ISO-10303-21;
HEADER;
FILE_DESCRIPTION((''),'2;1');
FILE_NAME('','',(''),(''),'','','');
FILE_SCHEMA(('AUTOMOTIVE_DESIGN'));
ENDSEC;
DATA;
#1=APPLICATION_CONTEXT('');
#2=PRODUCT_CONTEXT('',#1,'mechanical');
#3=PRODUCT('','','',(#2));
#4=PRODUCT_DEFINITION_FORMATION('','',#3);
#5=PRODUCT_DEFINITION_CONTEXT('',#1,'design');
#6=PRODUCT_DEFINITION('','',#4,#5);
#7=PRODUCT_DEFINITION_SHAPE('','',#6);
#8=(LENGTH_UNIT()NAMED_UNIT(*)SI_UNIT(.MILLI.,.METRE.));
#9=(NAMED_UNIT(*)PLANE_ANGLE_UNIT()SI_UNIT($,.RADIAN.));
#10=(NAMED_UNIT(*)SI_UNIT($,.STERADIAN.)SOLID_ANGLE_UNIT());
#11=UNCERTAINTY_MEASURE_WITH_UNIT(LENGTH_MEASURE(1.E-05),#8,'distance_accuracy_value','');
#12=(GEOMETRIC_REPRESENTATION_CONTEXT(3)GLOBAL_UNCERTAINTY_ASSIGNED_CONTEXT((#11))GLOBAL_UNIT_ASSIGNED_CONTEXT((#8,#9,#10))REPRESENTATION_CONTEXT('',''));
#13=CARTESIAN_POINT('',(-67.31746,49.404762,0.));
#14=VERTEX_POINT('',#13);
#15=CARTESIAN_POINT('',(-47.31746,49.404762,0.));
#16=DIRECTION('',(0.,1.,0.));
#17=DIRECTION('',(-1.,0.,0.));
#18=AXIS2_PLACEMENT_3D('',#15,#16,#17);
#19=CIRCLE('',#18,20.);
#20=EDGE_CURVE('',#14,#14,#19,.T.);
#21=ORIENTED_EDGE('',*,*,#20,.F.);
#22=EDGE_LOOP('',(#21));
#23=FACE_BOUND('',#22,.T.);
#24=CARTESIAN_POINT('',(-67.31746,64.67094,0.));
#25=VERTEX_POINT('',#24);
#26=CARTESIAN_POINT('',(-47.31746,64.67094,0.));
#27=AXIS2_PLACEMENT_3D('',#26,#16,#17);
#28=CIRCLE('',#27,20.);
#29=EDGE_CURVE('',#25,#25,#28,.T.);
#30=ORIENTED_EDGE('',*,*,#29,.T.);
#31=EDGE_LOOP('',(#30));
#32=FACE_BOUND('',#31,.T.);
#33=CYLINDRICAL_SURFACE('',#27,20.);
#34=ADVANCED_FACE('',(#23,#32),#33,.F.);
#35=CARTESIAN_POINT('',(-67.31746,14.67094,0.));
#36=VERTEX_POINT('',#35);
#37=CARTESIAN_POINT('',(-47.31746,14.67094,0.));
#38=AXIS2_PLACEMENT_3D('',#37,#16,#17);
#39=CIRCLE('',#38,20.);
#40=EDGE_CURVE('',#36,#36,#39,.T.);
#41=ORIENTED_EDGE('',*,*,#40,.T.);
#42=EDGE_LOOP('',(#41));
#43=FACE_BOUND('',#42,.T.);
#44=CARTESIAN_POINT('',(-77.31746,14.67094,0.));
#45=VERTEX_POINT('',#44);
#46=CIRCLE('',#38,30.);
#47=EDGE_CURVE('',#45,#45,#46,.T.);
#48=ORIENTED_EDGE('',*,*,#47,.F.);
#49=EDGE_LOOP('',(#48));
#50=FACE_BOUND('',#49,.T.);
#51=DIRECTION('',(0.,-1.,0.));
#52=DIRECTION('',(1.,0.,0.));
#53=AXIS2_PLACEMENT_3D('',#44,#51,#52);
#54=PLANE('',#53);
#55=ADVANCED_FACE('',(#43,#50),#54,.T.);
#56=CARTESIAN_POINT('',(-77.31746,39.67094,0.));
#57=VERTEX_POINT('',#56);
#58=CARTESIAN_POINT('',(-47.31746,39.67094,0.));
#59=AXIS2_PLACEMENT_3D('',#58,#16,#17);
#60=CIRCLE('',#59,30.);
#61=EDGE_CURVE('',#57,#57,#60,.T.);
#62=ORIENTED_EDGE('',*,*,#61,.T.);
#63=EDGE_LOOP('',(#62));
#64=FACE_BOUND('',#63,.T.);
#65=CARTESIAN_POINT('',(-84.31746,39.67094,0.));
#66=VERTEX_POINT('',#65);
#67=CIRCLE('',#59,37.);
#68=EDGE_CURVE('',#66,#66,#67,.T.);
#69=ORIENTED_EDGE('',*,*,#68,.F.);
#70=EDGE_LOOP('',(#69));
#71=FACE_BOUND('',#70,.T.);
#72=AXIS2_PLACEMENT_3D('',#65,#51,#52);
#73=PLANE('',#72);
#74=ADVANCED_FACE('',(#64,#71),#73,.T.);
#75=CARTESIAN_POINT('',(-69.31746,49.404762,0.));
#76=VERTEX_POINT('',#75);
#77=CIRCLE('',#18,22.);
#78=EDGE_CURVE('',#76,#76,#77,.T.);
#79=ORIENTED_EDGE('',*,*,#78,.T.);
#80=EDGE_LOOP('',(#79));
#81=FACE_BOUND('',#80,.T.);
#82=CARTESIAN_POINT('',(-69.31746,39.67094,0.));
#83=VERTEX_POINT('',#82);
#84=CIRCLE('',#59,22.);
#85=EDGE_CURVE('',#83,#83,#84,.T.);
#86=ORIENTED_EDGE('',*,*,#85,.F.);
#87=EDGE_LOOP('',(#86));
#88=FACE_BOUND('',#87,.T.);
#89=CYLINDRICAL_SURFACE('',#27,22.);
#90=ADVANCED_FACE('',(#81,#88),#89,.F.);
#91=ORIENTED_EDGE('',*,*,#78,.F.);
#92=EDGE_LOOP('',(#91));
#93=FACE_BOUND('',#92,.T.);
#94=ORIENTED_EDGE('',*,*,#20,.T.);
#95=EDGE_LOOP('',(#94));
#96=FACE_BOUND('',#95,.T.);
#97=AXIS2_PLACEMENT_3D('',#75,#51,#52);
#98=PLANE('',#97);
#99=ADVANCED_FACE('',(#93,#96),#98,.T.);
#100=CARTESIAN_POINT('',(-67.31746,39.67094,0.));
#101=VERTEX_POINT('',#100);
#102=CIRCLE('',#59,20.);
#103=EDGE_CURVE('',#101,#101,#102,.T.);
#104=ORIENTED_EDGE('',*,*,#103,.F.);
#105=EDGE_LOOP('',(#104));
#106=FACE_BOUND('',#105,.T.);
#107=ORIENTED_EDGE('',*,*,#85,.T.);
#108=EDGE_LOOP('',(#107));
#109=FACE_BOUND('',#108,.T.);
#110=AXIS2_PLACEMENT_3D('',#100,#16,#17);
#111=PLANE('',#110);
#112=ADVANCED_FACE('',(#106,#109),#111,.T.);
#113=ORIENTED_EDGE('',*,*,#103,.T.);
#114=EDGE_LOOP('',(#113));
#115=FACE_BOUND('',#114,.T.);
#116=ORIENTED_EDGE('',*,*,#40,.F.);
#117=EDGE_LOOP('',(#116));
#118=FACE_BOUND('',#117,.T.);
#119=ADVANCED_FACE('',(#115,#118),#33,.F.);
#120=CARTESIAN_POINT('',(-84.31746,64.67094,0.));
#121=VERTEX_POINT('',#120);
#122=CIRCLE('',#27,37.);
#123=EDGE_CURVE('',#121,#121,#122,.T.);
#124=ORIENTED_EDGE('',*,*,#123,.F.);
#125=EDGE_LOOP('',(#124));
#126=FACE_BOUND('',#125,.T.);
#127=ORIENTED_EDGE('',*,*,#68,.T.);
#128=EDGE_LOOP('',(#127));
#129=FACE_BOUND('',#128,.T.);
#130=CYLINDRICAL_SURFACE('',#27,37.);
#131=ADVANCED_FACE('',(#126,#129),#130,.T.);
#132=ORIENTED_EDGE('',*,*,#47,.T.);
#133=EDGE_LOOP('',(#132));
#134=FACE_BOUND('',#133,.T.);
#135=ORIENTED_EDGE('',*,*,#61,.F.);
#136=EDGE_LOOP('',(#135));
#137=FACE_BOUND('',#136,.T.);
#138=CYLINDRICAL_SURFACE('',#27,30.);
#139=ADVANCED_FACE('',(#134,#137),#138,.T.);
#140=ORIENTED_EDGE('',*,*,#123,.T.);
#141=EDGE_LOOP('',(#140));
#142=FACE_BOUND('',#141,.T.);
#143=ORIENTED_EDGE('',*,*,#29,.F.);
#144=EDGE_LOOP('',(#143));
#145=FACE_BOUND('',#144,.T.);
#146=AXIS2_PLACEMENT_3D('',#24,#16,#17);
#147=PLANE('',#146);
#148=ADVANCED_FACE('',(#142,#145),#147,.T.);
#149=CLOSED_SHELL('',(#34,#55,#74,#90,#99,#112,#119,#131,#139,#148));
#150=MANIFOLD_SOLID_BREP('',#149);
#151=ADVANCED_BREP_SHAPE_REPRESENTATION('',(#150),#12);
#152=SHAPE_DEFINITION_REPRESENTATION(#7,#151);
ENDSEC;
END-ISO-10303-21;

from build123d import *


with BuildPart() as part:
    # Sketch6 → Revolve2 (revolve)
    with BuildSketch(Plane.XY):
        Polygon((-84.317460317, 64.670939731), (-84.317460317, 39.670939731), (-77.317460317, 39.670939731), (-77.317460317, 14.670939731), (-67.317460317, 14.670939731), (-67.317460317, 39.670939731), (-69.317460317, 39.670939731), (-69.317460317, 49.404761905), (-67.317460317, 49.404761905), (-67.317460317, 64.670939731), align=None)
    revolve(axis=Axis((-47.317460317, 64.670939731, 0), (0, -1, 0)))


solid = part.part
